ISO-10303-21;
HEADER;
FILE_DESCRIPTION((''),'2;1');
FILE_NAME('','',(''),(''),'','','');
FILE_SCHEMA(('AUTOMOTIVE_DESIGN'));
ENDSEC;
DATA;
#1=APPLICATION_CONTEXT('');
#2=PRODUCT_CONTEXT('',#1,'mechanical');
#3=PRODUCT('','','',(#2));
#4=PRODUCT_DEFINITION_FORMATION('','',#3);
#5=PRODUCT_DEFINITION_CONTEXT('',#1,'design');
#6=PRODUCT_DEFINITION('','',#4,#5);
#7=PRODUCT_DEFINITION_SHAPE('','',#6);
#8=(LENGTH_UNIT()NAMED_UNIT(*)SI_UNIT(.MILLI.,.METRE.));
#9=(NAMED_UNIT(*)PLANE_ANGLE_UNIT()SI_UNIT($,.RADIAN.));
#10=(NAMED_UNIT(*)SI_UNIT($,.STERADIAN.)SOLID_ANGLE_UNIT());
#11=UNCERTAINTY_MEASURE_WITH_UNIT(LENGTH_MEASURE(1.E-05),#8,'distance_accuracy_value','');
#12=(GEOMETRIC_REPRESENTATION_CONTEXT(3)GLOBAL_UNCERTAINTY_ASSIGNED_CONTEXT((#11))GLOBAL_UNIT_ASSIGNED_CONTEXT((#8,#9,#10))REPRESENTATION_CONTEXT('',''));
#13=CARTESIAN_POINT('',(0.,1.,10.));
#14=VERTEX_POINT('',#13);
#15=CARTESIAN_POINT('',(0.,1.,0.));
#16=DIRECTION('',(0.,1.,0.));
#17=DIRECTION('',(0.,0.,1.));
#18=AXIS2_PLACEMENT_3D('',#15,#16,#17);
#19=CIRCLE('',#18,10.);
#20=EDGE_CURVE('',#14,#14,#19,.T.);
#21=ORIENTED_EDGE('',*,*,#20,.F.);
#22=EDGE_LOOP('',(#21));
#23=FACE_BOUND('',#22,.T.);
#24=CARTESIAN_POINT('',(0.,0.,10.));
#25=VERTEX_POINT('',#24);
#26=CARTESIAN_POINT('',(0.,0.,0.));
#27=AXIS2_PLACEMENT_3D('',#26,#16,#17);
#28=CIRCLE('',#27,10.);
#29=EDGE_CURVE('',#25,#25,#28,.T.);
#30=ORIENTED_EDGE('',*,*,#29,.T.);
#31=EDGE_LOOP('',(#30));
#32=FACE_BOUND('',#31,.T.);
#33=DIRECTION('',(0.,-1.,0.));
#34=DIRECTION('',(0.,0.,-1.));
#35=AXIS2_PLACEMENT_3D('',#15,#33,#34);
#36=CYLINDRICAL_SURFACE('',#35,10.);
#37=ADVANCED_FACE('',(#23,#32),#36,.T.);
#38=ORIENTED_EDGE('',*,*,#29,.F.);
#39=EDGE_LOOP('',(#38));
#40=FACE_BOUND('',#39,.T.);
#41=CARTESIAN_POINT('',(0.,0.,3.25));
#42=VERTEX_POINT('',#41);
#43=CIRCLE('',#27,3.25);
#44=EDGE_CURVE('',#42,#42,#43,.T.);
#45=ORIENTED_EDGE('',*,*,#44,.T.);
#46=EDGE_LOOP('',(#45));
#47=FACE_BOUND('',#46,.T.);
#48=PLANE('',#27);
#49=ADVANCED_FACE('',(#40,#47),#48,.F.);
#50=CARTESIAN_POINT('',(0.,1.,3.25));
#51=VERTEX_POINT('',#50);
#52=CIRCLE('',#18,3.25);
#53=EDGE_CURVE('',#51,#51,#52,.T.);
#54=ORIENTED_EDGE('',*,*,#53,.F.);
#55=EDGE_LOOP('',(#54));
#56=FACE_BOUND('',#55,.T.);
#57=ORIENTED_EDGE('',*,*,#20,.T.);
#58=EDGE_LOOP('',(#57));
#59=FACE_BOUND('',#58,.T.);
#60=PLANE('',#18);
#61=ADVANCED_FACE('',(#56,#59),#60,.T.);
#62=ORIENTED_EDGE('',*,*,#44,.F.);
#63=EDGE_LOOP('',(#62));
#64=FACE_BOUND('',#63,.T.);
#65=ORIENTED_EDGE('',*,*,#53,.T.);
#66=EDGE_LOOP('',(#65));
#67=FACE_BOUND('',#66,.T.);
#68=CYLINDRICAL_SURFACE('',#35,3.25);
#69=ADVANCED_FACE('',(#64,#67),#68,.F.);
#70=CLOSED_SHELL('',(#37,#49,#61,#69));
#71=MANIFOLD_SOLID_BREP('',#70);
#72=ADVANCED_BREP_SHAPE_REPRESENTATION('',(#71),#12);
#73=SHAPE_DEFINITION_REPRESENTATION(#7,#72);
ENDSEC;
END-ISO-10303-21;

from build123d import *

# Parameters (mm, degrees)
SKETCH_1_R      = 10
SKETCH_1_R_2    = 3.25
EXTRUDE_1_DEPTH = 1


with BuildPart() as part:
    # Эскиз1 → Бобышка-Вытянуть1 (new body)
    with BuildSketch(Plane(origin=(0, 0, 0), x_dir=(1, 0, 0), z_dir=(0, 1, 0))):
        with Locations(Location((0, 0, 0), (0, 0, 270))):
            Circle(SKETCH_1_R)
        with Locations(Location((0, 0, 0), (0, 0, 270))):
            Circle(SKETCH_1_R_2, mode=Mode.SUBTRACT)
    extrude(amount=EXTRUDE_1_DEPTH)


solid = part.part
